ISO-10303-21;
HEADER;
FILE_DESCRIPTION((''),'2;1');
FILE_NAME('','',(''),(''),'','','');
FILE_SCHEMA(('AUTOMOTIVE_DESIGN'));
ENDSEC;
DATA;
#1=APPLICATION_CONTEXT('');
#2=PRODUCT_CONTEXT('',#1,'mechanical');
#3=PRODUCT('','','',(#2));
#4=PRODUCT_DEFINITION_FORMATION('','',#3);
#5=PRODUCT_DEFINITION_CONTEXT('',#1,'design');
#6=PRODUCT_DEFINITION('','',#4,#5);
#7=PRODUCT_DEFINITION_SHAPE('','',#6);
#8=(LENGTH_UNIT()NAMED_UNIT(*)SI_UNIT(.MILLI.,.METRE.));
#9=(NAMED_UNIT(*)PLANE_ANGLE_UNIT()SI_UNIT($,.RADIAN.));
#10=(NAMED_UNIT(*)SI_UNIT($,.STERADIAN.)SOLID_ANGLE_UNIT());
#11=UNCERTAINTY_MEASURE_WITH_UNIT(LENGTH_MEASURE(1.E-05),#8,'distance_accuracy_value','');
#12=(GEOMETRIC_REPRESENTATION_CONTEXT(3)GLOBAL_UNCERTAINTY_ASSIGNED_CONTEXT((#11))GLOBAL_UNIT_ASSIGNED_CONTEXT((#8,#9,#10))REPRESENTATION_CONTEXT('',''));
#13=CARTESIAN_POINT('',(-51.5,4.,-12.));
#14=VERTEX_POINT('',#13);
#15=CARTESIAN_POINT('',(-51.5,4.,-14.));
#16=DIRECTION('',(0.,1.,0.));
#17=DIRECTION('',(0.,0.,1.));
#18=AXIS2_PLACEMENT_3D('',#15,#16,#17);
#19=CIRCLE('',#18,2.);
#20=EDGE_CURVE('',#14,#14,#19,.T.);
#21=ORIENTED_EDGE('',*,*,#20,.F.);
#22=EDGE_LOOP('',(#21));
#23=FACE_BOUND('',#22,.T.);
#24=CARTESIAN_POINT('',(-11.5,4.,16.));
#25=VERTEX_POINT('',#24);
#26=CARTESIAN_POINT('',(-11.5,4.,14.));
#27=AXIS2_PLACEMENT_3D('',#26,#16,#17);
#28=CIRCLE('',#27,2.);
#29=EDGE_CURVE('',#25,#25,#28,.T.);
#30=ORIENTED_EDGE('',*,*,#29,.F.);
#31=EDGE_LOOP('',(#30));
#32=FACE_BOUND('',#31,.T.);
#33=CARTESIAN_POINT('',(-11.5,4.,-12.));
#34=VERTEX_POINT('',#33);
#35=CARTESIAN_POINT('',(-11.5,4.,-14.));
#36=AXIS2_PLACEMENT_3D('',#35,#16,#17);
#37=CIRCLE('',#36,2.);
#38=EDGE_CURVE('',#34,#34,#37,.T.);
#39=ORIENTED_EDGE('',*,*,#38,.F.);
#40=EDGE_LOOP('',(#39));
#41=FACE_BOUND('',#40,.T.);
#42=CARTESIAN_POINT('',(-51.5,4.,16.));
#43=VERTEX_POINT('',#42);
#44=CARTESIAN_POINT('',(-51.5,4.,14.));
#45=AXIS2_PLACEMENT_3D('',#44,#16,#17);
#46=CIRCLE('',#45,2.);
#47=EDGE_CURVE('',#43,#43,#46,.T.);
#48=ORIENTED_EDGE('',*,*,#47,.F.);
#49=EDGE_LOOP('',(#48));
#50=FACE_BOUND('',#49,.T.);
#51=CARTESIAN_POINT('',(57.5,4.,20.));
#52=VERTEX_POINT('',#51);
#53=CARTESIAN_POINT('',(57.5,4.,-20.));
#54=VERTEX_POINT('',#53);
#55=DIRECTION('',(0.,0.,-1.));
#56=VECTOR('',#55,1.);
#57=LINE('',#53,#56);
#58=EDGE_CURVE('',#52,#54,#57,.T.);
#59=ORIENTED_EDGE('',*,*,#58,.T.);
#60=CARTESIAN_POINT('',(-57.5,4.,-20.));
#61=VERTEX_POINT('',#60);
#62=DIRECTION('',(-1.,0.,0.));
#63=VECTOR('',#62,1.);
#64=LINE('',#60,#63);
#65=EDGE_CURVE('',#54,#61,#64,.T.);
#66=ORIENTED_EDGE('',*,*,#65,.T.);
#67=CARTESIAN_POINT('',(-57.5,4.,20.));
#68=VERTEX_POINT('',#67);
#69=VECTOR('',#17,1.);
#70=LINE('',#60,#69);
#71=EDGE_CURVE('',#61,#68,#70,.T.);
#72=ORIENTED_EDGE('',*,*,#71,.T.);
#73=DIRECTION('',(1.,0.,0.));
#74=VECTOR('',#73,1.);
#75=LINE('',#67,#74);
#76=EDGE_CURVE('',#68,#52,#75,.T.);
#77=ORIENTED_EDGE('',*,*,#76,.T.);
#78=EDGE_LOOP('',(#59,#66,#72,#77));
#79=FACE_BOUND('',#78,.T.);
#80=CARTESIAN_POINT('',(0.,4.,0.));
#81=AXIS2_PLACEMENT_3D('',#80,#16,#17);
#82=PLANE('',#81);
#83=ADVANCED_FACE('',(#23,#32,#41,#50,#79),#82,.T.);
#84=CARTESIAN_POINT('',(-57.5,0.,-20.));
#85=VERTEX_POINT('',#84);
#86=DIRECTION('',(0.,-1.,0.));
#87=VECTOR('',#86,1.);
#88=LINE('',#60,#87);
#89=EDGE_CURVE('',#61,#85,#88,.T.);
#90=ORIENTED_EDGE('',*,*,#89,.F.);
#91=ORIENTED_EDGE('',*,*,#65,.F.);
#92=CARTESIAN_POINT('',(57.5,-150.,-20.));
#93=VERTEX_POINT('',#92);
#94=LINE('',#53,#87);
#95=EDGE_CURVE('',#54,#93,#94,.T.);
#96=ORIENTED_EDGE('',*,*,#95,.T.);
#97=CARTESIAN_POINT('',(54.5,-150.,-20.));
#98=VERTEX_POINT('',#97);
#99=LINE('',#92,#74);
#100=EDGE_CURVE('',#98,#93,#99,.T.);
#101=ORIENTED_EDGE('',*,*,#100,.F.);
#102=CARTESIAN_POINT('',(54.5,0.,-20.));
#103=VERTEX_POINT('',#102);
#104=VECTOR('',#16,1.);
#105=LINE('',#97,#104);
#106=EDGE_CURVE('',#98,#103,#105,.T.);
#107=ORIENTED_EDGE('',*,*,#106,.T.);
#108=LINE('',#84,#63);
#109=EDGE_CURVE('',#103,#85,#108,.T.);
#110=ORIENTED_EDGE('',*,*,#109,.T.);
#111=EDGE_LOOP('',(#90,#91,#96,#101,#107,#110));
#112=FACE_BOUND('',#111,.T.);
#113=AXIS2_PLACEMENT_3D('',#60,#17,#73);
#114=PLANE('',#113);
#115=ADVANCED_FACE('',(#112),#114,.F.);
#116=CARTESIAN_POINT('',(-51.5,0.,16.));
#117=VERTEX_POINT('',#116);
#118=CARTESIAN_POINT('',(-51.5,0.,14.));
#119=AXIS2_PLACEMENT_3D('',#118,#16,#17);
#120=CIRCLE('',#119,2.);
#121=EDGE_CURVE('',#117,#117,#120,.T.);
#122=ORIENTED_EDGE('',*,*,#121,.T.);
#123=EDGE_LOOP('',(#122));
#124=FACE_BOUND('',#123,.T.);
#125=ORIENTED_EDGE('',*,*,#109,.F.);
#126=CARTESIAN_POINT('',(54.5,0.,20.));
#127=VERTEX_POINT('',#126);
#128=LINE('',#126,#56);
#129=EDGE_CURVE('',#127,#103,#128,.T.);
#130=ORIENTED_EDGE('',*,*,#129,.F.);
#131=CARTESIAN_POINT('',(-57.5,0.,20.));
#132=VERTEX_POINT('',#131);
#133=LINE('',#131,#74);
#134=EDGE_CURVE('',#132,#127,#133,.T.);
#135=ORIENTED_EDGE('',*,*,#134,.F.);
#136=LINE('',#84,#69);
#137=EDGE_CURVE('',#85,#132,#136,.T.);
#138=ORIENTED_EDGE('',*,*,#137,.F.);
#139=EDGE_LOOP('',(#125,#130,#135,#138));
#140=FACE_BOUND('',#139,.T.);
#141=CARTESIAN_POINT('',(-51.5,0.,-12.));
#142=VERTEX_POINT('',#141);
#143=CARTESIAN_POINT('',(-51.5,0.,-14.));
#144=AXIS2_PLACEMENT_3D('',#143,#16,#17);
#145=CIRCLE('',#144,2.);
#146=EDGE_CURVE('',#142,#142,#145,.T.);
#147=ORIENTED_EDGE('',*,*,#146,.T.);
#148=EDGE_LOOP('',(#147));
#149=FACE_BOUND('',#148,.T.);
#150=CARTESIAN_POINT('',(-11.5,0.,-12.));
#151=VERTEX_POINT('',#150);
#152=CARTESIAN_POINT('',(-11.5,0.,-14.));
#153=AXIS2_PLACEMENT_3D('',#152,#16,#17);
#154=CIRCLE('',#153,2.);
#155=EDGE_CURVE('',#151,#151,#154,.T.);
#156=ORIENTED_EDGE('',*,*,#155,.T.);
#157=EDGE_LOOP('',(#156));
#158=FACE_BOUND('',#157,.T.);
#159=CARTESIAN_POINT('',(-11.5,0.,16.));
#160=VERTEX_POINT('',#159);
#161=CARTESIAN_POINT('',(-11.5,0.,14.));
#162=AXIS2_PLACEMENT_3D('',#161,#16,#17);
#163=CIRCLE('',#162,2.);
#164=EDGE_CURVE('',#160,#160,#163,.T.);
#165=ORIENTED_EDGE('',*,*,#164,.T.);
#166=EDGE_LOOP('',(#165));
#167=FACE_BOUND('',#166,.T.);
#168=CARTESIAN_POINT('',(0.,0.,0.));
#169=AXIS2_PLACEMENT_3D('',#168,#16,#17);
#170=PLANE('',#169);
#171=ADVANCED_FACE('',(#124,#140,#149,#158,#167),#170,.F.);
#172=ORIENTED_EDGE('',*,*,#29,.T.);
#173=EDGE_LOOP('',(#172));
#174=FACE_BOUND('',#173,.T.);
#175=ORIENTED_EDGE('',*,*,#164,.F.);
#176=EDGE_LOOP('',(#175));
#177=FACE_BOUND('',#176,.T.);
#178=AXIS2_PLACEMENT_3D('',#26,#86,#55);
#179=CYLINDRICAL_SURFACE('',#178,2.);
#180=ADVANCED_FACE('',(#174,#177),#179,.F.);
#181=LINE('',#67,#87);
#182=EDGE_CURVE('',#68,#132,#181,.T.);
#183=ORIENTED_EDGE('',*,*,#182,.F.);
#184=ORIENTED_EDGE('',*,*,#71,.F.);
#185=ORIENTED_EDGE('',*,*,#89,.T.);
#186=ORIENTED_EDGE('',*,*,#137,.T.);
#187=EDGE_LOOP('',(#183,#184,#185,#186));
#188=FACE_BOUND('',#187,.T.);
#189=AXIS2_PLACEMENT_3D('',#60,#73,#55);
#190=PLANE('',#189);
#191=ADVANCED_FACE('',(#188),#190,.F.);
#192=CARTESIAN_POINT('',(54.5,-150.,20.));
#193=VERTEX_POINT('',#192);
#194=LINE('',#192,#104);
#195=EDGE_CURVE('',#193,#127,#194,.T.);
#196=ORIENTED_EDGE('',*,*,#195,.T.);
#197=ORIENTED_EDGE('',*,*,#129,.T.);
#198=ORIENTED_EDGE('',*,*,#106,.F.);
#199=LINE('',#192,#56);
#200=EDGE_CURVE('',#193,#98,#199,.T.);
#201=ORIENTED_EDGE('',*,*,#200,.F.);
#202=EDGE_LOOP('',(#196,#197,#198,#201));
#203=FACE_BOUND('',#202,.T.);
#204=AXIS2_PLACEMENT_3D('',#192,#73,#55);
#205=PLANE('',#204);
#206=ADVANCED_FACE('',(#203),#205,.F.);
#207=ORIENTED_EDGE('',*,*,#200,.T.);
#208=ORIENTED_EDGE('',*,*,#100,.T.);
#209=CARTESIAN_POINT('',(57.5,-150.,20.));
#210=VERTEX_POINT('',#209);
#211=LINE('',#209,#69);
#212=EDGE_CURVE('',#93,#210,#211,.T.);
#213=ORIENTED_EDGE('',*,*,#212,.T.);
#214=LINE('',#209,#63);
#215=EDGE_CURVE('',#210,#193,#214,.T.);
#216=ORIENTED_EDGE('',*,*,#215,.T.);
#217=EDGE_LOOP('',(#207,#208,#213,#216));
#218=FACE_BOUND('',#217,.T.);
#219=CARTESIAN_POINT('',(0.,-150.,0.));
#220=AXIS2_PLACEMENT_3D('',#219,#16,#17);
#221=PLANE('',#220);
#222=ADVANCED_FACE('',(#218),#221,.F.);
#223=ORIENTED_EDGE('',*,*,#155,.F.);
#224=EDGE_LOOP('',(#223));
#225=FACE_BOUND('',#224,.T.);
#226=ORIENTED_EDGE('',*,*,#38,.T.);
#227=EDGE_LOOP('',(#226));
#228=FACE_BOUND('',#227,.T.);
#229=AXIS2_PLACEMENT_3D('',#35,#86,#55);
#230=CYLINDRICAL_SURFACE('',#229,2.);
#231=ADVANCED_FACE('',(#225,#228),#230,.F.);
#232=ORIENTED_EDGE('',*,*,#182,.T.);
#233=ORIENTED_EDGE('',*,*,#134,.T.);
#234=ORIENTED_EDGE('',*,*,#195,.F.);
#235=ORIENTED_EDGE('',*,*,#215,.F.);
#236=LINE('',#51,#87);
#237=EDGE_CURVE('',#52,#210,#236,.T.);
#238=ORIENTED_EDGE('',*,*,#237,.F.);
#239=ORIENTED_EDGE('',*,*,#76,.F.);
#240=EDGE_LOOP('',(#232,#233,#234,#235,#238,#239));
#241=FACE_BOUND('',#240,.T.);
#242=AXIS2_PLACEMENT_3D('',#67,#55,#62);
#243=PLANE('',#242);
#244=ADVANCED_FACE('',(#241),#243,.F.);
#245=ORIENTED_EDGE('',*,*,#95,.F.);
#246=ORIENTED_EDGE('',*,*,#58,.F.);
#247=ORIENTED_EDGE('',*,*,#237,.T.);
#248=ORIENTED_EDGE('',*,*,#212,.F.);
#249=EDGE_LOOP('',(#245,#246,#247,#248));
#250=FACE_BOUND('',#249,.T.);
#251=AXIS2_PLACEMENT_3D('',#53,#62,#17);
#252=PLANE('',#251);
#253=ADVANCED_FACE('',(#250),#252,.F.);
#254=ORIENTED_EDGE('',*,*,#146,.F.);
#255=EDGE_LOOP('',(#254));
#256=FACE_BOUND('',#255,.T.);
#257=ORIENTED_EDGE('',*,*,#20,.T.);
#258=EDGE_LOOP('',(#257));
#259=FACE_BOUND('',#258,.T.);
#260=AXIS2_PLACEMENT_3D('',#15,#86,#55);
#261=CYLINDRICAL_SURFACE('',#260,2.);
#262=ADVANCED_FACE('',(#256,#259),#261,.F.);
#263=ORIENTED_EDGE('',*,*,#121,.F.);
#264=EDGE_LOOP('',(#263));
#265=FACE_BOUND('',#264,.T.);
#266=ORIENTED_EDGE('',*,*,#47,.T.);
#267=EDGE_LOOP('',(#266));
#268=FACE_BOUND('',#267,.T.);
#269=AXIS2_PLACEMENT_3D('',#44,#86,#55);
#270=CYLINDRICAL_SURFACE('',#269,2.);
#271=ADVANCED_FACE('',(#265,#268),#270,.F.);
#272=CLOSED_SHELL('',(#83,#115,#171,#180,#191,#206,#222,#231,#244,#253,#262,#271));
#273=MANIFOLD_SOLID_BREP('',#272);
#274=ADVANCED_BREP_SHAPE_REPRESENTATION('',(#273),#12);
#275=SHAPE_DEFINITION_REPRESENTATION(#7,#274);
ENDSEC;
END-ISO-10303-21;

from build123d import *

# Parameters (mm, degrees)
SKETCH1_W           = 115
SKETCH1_H           = 40
SKETCH1_R           = 2
BOSS_EXTRUDE1_DEPTH = 4
SKETCH3_W           = 3
SKETCH3_H           = 40
BOSS_EXTRUDE3_DEPTH = 150


with BuildPart() as part:
    # Sketch1 → Boss-Extrude1 (new body)
    with BuildSketch(Plane(origin=(0, 0, 0), x_dir=(1, 0, 0), z_dir=(0, 1, 0))):
        Rectangle(SKETCH1_W, SKETCH1_H)
        with Locations(Location((-11.5, 14, 0), (0, 0, 270))):
            Circle(SKETCH1_R, mode=Mode.SUBTRACT)
        with Locations(Location((-11.5, -14, 0), (0, 0, 270))):
            Circle(SKETCH1_R, mode=Mode.SUBTRACT)
        with Locations(Location((-51.5, -14, 0), (0, 0, 270))):
            Circle(SKETCH1_R, mode=Mode.SUBTRACT)
        with Locations(Location((-51.5, 14, 0), (0, 0, 270))):
            Circle(SKETCH1_R, mode=Mode.SUBTRACT)
    extrude(amount=BOSS_EXTRUDE1_DEPTH)

    # Sketch3 → Boss-Extrude3 (add)
    with BuildSketch(Plane.XZ):
        with Locations((56, 0)):
            Rectangle(SKETCH3_W, SKETCH3_H)
    extrude(amount=BOSS_EXTRUDE3_DEPTH)


solid = part.part
